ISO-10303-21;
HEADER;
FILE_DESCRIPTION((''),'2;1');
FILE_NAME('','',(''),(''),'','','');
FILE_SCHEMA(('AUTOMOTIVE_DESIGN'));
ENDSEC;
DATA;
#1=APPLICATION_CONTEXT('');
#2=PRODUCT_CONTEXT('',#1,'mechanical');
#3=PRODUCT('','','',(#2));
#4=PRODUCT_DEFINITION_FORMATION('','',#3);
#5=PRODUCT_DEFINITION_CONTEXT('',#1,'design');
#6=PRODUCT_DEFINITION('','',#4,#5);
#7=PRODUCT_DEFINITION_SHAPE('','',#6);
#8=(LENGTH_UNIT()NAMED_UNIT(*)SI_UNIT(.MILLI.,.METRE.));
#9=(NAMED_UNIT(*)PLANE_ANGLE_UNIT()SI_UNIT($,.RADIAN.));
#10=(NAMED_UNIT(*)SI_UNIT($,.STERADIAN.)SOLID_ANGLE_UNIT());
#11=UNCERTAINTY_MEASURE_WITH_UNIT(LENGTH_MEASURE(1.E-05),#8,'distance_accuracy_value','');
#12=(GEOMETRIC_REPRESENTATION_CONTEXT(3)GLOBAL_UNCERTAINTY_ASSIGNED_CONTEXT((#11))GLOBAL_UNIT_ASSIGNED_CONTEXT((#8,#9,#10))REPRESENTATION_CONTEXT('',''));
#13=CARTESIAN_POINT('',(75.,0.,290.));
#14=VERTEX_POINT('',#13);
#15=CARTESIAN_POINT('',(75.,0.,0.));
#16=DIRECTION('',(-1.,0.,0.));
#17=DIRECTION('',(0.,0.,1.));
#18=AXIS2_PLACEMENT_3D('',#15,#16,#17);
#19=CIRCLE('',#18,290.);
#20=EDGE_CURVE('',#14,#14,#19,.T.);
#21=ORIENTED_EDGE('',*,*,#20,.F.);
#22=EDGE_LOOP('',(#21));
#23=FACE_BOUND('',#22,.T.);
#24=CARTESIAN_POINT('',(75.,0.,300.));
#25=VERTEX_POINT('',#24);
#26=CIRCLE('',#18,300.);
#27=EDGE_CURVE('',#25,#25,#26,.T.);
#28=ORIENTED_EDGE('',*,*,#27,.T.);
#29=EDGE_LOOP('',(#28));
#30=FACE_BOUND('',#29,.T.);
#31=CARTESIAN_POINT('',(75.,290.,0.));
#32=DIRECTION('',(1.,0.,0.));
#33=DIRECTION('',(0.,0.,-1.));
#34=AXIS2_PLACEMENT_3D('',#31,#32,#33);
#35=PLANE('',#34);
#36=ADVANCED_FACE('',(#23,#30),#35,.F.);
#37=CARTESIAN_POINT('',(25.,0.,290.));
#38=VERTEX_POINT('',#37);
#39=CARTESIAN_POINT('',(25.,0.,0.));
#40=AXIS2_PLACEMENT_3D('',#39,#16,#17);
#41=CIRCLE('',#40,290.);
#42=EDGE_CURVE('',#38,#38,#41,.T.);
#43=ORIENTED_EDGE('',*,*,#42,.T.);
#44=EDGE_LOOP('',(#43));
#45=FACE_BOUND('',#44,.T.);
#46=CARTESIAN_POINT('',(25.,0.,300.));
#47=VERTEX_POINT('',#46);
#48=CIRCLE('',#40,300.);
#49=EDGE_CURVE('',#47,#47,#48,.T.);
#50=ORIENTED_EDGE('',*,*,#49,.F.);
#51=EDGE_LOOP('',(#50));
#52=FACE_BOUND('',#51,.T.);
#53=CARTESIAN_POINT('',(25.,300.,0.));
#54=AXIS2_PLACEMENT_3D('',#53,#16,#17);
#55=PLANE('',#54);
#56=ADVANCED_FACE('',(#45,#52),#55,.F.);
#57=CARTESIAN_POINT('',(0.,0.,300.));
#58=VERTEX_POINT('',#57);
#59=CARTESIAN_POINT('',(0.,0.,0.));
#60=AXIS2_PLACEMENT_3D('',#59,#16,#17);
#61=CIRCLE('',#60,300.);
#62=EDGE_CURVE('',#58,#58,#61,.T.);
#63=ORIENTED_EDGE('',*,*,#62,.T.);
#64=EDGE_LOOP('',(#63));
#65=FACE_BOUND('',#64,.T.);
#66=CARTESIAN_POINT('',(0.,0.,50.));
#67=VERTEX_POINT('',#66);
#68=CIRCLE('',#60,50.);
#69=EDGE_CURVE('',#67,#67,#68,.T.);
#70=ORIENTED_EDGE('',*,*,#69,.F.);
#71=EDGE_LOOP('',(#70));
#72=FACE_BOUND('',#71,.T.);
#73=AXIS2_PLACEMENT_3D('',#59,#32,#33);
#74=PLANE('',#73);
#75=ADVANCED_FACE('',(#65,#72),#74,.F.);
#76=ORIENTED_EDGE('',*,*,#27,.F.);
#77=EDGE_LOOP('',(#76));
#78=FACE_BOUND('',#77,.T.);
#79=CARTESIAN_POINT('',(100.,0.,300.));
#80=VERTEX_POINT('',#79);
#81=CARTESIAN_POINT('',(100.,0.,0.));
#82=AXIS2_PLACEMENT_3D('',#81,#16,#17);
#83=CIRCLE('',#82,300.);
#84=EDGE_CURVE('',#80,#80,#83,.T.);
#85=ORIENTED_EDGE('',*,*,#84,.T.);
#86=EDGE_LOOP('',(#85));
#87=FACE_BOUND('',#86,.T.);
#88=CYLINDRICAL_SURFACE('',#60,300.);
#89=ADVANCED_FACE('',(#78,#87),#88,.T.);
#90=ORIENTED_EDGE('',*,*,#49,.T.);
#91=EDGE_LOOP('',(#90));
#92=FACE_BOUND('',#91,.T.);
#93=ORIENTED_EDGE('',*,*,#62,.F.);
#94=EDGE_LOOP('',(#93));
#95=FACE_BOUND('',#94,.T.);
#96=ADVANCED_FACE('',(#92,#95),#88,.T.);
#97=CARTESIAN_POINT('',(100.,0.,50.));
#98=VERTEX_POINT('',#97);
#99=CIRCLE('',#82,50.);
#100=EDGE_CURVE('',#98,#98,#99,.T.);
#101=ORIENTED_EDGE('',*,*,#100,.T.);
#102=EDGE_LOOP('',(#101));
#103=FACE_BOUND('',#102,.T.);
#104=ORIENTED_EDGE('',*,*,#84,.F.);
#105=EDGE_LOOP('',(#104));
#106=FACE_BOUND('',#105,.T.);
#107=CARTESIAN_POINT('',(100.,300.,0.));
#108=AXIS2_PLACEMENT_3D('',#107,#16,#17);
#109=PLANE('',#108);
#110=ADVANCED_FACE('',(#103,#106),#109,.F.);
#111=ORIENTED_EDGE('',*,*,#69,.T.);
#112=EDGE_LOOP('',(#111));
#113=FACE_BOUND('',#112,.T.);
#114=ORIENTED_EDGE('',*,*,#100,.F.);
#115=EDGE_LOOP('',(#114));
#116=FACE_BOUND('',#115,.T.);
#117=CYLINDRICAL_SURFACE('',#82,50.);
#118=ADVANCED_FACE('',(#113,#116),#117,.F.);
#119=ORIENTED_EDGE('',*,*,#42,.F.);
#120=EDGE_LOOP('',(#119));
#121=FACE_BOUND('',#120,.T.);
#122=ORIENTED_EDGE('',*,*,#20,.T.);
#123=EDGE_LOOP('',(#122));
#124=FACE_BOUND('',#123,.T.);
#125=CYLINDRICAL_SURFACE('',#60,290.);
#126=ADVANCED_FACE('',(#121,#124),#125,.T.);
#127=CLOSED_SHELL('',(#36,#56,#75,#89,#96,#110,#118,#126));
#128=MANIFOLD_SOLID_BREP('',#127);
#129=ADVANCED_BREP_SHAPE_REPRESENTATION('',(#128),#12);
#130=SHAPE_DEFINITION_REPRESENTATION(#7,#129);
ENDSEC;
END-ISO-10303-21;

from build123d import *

# Parameters (mm, degrees)
SKETCH2_R          = 50
CUT_EXTRUDE1_DEPTH = 436.889894354


with BuildPart() as part:
    # Sketch1 → Revolve1 (revolve)
    with BuildSketch(Plane.XY, mode=Mode.PRIVATE) as revolve1_sk:
        Polygon((0, 0), (0, 300), (25, 300), (25, 290), (75, 290), (75, 300), (100, 300), (100, 0), align=None)
    revolve(revolve1_sk.sketch.rotate(Axis((0, 0, 0), (1, 0, 0)), 90), axis=Axis((0, 0, 0), (1, 0, 0)))

    # Sketch2 → Cut-Extrude1 (cut, through all)
    with BuildSketch(Plane.ZY):
        Circle(SKETCH2_R)
    extrude(amount=-CUT_EXTRUDE1_DEPTH, mode=Mode.SUBTRACT)


solid = part.part
